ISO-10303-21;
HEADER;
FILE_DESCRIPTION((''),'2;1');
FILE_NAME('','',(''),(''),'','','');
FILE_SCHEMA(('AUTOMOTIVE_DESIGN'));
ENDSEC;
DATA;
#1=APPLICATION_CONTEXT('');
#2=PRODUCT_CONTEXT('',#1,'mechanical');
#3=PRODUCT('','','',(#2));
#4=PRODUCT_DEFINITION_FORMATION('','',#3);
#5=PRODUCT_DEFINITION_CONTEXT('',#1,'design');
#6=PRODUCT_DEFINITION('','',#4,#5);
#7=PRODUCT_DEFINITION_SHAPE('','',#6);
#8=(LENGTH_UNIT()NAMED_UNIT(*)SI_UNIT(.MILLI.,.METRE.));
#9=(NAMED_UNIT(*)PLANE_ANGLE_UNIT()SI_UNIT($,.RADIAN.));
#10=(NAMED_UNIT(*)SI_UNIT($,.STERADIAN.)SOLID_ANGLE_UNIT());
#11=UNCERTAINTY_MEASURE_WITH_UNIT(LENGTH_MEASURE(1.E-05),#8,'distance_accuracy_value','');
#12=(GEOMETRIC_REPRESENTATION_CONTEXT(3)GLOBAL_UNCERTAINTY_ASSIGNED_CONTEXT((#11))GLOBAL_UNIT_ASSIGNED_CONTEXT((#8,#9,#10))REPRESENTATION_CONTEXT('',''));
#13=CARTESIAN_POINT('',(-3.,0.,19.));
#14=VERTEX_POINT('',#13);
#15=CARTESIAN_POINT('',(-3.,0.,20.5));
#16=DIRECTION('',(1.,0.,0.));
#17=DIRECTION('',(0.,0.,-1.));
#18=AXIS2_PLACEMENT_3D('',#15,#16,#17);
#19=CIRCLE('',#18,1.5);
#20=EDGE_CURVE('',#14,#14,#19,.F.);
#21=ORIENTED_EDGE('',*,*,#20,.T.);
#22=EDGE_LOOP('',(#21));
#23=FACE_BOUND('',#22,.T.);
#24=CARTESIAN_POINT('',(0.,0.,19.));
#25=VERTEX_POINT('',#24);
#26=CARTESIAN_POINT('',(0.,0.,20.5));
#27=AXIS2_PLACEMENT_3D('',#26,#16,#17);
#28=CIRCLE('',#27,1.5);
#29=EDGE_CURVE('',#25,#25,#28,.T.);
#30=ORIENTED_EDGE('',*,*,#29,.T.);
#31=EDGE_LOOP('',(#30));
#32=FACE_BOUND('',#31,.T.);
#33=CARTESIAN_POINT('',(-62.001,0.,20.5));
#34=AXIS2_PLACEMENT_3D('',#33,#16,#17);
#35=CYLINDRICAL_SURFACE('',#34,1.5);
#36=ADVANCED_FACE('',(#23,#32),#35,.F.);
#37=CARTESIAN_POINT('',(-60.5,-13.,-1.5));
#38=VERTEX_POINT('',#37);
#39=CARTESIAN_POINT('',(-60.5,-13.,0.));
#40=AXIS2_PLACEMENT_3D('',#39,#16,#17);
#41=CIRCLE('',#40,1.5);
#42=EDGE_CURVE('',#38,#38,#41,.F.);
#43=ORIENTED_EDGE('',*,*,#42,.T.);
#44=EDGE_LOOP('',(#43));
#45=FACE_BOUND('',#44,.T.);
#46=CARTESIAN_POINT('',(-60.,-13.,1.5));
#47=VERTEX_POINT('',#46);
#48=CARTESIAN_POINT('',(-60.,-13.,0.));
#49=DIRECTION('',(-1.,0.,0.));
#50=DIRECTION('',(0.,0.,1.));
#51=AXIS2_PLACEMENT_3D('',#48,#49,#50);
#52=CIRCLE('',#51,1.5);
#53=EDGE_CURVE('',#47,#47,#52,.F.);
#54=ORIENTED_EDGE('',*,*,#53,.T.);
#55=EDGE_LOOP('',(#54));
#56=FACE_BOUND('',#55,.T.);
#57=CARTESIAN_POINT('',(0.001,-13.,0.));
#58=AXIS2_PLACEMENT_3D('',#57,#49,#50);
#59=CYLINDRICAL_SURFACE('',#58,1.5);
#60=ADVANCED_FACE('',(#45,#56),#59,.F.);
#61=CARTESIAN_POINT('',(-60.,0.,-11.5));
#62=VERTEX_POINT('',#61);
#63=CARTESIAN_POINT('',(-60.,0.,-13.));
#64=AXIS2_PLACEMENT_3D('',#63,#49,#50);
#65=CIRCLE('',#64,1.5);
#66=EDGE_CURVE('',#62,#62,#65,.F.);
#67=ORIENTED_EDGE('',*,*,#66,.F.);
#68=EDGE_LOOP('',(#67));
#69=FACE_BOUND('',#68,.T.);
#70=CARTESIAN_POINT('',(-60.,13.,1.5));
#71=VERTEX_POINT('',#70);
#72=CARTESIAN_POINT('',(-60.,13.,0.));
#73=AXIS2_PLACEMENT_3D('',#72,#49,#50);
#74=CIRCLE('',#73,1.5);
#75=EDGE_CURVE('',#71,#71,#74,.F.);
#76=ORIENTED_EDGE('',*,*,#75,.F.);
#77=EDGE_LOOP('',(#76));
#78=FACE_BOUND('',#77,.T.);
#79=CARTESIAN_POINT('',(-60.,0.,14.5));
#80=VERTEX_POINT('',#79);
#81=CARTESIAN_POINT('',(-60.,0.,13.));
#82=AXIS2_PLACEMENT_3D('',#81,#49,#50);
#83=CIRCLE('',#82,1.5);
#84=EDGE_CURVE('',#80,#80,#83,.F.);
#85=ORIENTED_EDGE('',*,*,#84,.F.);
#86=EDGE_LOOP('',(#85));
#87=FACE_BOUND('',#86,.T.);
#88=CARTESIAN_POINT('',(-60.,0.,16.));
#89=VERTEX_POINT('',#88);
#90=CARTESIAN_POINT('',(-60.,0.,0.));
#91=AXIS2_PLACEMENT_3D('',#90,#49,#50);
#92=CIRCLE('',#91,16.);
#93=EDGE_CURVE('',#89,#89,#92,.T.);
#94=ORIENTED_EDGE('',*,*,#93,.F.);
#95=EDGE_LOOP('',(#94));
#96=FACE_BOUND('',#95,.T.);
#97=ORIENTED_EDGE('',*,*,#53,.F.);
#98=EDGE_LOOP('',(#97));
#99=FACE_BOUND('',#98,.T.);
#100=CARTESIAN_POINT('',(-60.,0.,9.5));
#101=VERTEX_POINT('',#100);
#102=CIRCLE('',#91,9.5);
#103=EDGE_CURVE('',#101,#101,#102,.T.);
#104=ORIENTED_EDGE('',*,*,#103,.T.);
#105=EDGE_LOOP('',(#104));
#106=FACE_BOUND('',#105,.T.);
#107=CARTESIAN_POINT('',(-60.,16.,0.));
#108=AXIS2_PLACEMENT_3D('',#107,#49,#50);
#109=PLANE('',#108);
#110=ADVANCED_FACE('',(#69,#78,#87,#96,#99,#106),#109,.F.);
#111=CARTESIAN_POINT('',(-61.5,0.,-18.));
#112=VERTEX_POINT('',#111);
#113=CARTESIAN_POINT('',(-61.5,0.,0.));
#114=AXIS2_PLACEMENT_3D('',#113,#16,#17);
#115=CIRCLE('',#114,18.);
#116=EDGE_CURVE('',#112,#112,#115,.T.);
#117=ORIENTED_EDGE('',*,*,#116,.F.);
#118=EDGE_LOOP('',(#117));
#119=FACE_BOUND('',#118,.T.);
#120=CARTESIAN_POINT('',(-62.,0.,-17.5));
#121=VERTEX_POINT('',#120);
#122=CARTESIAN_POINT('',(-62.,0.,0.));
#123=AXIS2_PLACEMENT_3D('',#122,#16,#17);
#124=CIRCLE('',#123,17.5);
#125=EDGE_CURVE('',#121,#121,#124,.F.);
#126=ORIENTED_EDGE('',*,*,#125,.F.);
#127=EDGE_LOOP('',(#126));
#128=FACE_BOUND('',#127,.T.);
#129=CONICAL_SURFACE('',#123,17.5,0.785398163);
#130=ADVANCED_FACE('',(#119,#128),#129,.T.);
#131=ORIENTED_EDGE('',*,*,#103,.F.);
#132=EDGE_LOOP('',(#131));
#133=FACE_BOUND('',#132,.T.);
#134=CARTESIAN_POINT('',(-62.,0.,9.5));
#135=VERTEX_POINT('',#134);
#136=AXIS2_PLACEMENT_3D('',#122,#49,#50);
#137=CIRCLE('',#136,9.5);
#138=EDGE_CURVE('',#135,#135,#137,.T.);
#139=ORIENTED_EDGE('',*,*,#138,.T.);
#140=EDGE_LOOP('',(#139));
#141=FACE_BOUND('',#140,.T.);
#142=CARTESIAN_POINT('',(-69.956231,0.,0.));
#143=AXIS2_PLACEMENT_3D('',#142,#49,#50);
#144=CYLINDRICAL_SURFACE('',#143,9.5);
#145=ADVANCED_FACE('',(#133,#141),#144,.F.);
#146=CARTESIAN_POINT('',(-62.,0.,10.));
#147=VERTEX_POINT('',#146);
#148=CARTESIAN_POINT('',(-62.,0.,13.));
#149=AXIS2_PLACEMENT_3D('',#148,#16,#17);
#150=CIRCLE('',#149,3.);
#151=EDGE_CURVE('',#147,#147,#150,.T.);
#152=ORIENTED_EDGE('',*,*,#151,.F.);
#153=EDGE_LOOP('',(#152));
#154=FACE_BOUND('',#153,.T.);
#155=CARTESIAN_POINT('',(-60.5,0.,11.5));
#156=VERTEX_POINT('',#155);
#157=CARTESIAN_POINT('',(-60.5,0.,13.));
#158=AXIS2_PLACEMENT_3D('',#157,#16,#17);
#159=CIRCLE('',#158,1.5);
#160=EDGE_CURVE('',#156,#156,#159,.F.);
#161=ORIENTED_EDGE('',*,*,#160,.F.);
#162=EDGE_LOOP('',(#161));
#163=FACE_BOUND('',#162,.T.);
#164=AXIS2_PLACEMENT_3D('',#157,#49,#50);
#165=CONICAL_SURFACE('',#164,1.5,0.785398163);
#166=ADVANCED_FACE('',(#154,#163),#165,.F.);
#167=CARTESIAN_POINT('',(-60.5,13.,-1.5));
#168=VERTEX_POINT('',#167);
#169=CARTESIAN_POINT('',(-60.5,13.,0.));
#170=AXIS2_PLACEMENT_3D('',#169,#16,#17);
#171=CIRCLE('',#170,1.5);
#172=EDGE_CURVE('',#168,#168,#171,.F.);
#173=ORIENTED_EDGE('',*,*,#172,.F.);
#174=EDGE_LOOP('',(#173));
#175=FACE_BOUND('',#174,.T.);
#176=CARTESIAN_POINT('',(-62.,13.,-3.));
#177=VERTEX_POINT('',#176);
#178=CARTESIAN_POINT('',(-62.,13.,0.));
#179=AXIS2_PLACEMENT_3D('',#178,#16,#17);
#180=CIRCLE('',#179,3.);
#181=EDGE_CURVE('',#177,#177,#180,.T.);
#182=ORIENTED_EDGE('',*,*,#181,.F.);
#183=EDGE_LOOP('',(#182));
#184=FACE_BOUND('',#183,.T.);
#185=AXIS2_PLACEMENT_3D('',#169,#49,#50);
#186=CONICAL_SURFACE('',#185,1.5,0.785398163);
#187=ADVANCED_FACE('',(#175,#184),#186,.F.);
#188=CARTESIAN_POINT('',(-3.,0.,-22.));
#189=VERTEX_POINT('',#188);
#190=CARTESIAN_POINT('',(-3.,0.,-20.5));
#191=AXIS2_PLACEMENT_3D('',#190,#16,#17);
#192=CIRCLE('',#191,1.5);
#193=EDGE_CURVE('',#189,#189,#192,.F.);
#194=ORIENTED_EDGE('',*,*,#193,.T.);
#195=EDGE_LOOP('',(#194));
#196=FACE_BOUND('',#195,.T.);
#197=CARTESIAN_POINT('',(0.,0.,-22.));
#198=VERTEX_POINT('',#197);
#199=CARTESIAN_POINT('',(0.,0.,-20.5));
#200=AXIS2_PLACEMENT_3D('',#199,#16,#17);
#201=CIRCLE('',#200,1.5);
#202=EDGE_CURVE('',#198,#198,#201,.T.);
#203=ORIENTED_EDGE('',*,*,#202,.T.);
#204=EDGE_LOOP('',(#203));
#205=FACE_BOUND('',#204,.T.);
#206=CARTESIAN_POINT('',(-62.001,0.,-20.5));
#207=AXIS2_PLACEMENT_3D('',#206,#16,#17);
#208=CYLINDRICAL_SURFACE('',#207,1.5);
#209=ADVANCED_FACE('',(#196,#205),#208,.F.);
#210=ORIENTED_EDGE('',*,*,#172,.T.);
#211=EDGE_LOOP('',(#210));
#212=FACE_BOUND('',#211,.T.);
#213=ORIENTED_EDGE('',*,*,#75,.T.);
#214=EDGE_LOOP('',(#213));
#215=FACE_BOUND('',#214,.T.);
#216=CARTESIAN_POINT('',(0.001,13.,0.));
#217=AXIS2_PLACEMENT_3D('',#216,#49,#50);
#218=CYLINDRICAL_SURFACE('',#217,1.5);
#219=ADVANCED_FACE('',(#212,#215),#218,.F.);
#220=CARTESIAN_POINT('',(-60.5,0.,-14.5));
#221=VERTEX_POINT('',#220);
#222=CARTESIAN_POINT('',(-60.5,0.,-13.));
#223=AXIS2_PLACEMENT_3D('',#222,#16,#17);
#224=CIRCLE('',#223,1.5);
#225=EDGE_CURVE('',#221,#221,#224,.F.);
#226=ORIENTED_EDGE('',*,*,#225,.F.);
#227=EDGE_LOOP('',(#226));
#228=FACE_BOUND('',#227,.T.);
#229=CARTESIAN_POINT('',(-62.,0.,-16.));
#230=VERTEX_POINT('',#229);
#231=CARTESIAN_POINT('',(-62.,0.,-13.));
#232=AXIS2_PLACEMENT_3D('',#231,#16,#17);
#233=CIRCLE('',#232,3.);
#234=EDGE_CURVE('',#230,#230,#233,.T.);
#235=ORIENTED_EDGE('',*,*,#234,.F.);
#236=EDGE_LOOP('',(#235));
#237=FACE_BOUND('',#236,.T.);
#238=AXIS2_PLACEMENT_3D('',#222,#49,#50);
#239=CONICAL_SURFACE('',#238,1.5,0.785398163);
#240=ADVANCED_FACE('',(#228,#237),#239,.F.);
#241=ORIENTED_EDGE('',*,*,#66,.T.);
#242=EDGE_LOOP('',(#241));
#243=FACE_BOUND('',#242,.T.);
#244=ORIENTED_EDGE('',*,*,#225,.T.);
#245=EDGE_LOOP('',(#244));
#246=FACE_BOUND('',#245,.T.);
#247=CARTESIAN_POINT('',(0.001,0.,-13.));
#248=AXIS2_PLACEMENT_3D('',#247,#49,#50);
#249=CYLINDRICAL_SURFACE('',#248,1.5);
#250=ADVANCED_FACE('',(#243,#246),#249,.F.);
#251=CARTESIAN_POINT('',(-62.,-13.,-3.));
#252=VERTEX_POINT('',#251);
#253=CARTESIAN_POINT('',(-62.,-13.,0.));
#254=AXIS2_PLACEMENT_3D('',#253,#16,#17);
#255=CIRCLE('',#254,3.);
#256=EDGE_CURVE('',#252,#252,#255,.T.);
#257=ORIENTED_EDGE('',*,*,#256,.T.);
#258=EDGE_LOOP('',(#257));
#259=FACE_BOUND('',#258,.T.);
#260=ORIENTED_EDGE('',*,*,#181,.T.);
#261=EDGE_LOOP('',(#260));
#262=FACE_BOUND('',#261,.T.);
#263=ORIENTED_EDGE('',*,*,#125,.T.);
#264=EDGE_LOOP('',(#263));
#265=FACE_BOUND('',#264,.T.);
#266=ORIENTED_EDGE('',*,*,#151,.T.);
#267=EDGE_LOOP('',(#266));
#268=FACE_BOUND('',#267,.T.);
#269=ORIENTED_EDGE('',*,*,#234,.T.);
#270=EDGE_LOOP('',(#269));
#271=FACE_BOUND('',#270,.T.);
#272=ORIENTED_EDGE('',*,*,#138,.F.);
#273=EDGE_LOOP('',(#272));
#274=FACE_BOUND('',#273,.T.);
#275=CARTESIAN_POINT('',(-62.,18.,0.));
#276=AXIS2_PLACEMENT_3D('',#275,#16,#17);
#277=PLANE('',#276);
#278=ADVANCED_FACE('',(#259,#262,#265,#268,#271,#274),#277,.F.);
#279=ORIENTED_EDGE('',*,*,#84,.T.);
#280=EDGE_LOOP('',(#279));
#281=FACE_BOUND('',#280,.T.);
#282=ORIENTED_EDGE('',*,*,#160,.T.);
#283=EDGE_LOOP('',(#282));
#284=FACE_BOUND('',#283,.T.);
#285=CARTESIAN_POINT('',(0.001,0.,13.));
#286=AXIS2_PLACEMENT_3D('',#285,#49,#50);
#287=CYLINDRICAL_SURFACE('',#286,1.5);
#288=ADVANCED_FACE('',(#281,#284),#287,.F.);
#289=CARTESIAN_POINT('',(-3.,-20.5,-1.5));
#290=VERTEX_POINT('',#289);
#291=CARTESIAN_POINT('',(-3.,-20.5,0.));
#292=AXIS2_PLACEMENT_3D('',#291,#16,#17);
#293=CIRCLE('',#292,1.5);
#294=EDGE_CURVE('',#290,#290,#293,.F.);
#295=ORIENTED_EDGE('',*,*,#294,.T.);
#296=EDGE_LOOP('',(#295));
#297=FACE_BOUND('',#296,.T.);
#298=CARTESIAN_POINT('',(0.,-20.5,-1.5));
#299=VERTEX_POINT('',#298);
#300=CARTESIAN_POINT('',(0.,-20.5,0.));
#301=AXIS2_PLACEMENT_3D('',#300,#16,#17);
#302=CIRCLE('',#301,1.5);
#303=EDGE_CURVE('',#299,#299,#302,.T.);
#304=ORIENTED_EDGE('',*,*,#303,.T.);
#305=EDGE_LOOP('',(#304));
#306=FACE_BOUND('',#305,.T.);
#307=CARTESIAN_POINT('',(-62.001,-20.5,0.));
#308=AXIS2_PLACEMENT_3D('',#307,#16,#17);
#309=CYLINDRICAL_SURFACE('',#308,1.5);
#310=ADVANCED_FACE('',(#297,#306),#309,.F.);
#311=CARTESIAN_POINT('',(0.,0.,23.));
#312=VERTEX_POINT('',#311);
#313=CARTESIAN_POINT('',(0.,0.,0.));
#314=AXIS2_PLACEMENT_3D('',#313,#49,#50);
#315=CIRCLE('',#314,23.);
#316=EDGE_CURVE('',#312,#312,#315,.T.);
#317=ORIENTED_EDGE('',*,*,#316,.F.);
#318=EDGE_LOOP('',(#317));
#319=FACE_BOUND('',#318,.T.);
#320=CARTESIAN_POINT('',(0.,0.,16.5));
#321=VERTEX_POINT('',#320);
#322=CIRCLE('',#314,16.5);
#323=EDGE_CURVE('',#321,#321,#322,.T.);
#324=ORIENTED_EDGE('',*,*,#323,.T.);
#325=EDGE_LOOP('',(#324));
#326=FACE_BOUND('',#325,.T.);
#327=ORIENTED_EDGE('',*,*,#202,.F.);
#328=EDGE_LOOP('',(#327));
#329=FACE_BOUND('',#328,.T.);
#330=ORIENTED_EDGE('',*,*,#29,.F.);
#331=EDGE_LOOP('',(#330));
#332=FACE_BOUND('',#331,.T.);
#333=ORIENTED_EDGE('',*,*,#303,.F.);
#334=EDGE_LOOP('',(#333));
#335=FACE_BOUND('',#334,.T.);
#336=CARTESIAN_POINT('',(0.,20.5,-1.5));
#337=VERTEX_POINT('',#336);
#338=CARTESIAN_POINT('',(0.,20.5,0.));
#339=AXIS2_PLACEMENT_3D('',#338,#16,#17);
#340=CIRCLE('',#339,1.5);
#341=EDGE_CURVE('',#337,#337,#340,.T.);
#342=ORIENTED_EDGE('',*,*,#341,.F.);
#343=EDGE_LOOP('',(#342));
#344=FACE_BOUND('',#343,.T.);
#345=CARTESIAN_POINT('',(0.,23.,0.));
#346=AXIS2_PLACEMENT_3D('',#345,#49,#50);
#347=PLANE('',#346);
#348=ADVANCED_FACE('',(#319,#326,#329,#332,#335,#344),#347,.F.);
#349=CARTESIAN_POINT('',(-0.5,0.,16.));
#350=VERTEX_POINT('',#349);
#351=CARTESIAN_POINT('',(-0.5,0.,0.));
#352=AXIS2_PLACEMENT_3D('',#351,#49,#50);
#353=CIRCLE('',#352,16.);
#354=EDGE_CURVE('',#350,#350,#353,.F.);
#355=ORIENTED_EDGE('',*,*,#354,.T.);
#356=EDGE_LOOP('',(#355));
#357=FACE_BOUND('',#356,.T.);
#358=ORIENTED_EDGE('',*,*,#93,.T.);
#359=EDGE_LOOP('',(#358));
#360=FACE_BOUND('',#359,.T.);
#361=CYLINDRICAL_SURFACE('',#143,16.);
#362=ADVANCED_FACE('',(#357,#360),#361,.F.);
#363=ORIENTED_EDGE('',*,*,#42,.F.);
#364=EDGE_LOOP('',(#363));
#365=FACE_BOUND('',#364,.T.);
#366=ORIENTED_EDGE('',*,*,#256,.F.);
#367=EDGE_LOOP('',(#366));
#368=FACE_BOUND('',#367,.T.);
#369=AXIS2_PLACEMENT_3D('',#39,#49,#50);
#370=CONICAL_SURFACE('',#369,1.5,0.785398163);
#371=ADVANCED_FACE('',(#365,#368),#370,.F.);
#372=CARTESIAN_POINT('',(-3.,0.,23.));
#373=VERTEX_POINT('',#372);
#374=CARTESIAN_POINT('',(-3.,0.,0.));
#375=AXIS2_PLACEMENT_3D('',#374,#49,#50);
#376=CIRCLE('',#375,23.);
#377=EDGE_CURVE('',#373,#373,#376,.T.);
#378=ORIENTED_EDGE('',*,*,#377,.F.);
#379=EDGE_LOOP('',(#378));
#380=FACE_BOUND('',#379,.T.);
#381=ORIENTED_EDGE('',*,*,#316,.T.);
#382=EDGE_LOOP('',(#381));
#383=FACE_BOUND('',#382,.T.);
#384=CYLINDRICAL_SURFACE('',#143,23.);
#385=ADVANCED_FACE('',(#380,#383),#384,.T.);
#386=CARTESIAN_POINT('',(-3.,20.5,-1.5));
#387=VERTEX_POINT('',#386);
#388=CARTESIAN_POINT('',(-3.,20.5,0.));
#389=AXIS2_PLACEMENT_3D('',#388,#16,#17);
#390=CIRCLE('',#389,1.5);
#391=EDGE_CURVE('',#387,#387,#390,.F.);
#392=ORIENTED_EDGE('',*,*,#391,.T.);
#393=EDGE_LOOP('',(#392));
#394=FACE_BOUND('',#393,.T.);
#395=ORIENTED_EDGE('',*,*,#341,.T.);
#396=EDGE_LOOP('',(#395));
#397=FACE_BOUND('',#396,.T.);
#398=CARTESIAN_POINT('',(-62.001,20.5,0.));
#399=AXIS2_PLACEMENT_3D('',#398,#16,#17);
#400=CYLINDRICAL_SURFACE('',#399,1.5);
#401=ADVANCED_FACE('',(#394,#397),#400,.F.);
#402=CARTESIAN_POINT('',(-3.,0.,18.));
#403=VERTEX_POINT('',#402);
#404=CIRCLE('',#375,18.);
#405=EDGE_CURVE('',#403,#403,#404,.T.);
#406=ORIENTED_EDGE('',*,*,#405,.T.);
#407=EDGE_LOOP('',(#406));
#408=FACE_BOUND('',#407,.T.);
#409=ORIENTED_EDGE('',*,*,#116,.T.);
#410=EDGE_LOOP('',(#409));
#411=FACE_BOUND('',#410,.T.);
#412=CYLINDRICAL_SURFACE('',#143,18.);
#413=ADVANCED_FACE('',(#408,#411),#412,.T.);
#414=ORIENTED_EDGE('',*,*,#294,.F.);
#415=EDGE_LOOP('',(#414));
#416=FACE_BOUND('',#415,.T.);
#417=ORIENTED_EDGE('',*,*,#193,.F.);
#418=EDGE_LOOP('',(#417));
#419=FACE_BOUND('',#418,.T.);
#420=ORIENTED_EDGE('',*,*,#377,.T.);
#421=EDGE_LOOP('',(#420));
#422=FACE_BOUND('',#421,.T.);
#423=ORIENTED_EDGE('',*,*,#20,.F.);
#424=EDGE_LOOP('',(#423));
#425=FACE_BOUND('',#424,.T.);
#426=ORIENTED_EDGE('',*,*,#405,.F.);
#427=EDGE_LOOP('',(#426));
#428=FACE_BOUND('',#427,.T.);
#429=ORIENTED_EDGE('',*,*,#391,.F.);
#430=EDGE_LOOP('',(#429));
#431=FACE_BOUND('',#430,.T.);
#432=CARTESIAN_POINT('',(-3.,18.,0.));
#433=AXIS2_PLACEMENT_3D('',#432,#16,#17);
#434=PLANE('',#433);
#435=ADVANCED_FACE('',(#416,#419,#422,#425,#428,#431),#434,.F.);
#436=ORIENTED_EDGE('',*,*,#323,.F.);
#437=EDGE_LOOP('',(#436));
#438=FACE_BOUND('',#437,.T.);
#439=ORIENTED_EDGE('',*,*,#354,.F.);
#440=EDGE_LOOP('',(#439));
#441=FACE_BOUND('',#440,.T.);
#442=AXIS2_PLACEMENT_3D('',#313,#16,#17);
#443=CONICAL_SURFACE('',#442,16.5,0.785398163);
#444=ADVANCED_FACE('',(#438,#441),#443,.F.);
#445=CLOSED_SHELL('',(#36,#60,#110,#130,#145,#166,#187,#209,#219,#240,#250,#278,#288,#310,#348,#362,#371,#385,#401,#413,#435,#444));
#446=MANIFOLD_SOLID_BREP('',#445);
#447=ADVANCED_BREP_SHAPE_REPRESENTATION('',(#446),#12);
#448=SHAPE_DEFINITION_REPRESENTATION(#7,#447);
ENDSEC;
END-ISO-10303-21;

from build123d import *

# Parameters (mm, degrees)
CUT_EXTRUDE_1_REACH = 72.014
SKETCH_2_R          = 1.5
CHAMFER_1_SIZE      = 1.5
CUT_EXTRUDE_2_REACH = 72.014
SKETCH_3_R          = 1.5
CHAMFER_2_SIZE      = 0.5


with BuildPart() as part:
    # 草图1 → 旋转1 (revolve)
    with BuildSketch(Plane.XY, mode=Mode.PRIVATE) as revolve_1_sk:
        Polygon((-62, 18), (-62, 9.5), (-60, 9.5), (-60, 16), (0, 16), (0, 23), (-3, 23), (-3, 18), align=None)
    revolve(revolve_1_sk.sketch.rotate(Axis((-69.956231489, 0, 0), (1, 0, 0)), 90), axis=Axis((-69.956231489, 0, 0), (1, 0, 0)))

    # 草图2 → 切除-拉伸1 (cut, up to next)
    with BuildSketch(Plane.ZY.offset(62), mode=Mode.PRIVATE) as cut_extrude_1_sk1:
        with Locations((0, 13)):
            Circle(SKETCH_2_R)
    cut_extrude_1_tool1 = extrude(cut_extrude_1_sk1.sketch, amount=-CUT_EXTRUDE_1_REACH, mode=Mode.PRIVATE) & part.part
    # 草图2 → 切除-拉伸1 (cut, up to next)
    with BuildSketch(Plane.ZY.offset(62), mode=Mode.PRIVATE) as cut_extrude_1_sk2:
        with Locations((13, 0)):
            Circle(SKETCH_2_R)
    cut_extrude_1_tool2 = extrude(cut_extrude_1_sk2.sketch, amount=-CUT_EXTRUDE_1_REACH, mode=Mode.PRIVATE) & part.part
    # 草图2 → 切除-拉伸1 (cut, up to next)
    with BuildSketch(Plane.ZY.offset(62), mode=Mode.PRIVATE) as cut_extrude_1_sk3:
        with Locations((0, -13)):
            Circle(SKETCH_2_R)
    cut_extrude_1_tool3 = extrude(cut_extrude_1_sk3.sketch, amount=-CUT_EXTRUDE_1_REACH, mode=Mode.PRIVATE) & part.part
    # 草图2 → 切除-拉伸1 (cut, up to next)
    with BuildSketch(Plane.ZY.offset(62), mode=Mode.PRIVATE) as cut_extrude_1_sk4:
        with Locations((-13, 0)):
            Circle(SKETCH_2_R)
    cut_extrude_1_tool4 = extrude(cut_extrude_1_sk4.sketch, amount=-CUT_EXTRUDE_1_REACH, mode=Mode.PRIVATE) & part.part
    add(cut_extrude_1_tool1.solids().sort_by_distance((-62, 13, 0))[0], mode=Mode.SUBTRACT)
    add(cut_extrude_1_tool2.solids().sort_by_distance((-62, 0, 13))[0], mode=Mode.SUBTRACT)
    add(cut_extrude_1_tool3.solids().sort_by_distance((-62, -13, 0))[0], mode=Mode.SUBTRACT)
    add(cut_extrude_1_tool4.solids().sort_by_distance((-62, 0, -13))[0], mode=Mode.SUBTRACT)

    # 倒角1
    chamfer_1_edges = [part.edges().sort_by_distance(p)[0] for p in [
        (-62, 13, -1.5),
        (-62, 0, 11.5),
        (-62, -13, -1.5),
        (-62, 0, -14.5),
    ]]
    chamfer(chamfer_1_edges, length=CHAMFER_1_SIZE)

    # 草图3 → 切除-拉伸2 (cut, up to next)
    with BuildSketch(Plane(origin=(0, 0, 0), x_dir=(0, 0, -1), z_dir=(1, 0, 0)), mode=Mode.PRIVATE) as cut_extrude_2_sk1:
        with Locations((0, 20.5)):
            Circle(SKETCH_3_R)
    cut_extrude_2_tool1 = extrude(cut_extrude_2_sk1.sketch, amount=-CUT_EXTRUDE_2_REACH, mode=Mode.PRIVATE) & part.part
    # 草图3 → 切除-拉伸2 (cut, up to next)
    with BuildSketch(Plane(origin=(0, 0, 0), x_dir=(0, 0, -1), z_dir=(1, 0, 0)), mode=Mode.PRIVATE) as cut_extrude_2_sk2:
        with Locations((20.5, 0)):
            Circle(SKETCH_3_R)
    cut_extrude_2_tool2 = extrude(cut_extrude_2_sk2.sketch, amount=-CUT_EXTRUDE_2_REACH, mode=Mode.PRIVATE) & part.part
    # 草图3 → 切除-拉伸2 (cut, up to next)
    with BuildSketch(Plane(origin=(0, 0, 0), x_dir=(0, 0, -1), z_dir=(1, 0, 0)), mode=Mode.PRIVATE) as cut_extrude_2_sk3:
        with Locations((0, -20.5)):
            Circle(SKETCH_3_R)
    cut_extrude_2_tool3 = extrude(cut_extrude_2_sk3.sketch, amount=-CUT_EXTRUDE_2_REACH, mode=Mode.PRIVATE) & part.part
    # 草图3 → 切除-拉伸2 (cut, up to next)
    with BuildSketch(Plane(origin=(0, 0, 0), x_dir=(0, 0, -1), z_dir=(1, 0, 0)), mode=Mode.PRIVATE) as cut_extrude_2_sk4:
        with Locations((-20.5, 0)):
            Circle(SKETCH_3_R)
    cut_extrude_2_tool4 = extrude(cut_extrude_2_sk4.sketch, amount=-CUT_EXTRUDE_2_REACH, mode=Mode.PRIVATE) & part.part
    add(cut_extrude_2_tool1.solids().sort_by_distance((0, 20.5, 0))[0], mode=Mode.SUBTRACT)
    add(cut_extrude_2_tool2.solids().sort_by_distance((0, 0, -20.5))[0], mode=Mode.SUBTRACT)
    add(cut_extrude_2_tool3.solids().sort_by_distance((0, -20.5, 0))[0], mode=Mode.SUBTRACT)
    add(cut_extrude_2_tool4.solids().sort_by_distance((0, 0, 20.5))[0], mode=Mode.SUBTRACT)

    # 倒角2
    chamfer_2_edges = [part.edges().sort_by_distance(p)[0] for p in [
        (0, 0, -16),
        (-62, 0, -18),
    ]]
    chamfer(chamfer_2_edges, length=CHAMFER_2_SIZE)


solid = part.part
